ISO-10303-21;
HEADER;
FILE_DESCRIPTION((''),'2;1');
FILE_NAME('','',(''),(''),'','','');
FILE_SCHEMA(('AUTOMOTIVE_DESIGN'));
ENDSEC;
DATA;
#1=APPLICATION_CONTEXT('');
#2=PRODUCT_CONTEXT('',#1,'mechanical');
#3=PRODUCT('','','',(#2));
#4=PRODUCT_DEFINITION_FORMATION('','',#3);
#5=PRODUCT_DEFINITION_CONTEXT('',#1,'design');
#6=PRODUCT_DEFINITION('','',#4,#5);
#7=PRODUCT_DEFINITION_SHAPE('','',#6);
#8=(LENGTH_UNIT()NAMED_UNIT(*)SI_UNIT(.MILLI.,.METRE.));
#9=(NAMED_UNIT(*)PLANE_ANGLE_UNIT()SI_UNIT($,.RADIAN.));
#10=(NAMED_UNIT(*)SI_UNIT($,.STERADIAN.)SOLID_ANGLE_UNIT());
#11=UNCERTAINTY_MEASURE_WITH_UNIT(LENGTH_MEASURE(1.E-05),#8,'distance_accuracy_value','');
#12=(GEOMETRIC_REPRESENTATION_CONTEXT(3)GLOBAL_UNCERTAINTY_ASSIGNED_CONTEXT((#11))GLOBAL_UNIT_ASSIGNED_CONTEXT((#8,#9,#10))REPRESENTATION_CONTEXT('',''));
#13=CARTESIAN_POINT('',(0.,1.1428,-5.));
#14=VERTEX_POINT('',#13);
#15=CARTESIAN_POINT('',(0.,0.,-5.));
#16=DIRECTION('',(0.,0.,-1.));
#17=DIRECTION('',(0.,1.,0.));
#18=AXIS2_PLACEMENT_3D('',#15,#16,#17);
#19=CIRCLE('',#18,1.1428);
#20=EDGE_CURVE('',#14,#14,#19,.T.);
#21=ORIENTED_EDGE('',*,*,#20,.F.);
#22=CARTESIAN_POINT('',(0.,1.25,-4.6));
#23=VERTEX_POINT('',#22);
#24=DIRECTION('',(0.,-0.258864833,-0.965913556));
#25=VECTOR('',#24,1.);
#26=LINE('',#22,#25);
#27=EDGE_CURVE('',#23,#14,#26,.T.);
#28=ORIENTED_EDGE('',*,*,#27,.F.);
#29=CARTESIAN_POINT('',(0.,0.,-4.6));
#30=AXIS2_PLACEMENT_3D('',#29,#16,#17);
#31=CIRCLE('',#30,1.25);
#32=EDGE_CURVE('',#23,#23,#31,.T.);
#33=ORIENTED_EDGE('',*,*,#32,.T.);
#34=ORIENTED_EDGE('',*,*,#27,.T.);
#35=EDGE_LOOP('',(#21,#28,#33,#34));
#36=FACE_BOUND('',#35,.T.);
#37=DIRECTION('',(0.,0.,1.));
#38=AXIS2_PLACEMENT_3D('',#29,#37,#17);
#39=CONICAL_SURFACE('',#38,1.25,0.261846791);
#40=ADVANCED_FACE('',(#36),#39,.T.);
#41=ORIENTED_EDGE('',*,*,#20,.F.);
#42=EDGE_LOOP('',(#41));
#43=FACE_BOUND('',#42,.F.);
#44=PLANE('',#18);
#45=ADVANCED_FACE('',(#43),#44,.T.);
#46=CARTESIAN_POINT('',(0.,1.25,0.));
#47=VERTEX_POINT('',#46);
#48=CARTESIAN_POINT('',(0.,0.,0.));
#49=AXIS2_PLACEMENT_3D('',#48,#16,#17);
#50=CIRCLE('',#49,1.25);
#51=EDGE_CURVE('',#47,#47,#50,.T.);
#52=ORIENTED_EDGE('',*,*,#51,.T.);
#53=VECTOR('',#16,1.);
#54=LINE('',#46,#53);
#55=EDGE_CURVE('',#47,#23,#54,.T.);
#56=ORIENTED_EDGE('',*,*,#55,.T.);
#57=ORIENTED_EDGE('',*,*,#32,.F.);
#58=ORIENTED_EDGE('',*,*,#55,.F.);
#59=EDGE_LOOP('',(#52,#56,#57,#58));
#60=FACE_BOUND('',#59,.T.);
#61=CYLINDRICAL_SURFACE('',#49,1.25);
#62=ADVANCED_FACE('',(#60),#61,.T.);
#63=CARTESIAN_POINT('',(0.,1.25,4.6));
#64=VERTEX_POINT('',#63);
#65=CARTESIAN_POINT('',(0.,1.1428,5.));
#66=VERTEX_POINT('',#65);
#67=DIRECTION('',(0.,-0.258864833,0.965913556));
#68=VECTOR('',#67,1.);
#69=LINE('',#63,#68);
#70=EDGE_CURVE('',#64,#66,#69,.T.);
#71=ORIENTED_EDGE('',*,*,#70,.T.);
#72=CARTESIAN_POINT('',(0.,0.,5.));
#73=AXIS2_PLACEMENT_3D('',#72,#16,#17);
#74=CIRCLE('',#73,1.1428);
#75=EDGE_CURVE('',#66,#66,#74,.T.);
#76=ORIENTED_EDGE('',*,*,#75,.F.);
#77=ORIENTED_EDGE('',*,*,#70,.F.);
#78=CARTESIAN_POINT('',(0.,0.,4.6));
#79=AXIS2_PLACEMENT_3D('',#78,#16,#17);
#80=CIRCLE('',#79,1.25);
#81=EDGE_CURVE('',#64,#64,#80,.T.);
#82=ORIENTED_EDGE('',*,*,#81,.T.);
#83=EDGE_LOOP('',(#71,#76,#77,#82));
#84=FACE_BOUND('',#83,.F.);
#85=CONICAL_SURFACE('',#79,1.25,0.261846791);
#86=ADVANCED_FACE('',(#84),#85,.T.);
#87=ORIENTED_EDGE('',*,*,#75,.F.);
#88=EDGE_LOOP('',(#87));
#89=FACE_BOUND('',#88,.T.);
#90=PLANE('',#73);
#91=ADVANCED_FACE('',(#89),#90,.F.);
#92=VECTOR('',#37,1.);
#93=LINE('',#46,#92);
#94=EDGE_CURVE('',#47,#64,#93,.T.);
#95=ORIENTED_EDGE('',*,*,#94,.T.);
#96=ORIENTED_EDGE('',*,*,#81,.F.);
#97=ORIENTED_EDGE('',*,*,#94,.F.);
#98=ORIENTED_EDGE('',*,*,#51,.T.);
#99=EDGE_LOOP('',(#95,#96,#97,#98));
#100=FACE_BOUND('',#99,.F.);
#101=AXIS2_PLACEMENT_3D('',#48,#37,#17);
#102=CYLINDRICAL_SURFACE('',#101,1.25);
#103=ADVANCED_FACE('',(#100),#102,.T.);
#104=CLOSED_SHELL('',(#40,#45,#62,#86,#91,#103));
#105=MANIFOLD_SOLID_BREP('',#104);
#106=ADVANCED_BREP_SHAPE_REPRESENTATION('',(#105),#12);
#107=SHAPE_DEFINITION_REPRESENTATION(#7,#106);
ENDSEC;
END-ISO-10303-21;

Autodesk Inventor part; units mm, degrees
ref_plane "YZ Plane" through (0, 0, 0) normal (1, 0, 0) x (0, 1, 0)
ref_plane "XZ Plane" through (0, 0, 0) normal (0, 1, 0) x (-1, 0, 0)
ref_plane "XY Plane" through (0, 0, 0) normal (0, 0, 1) x (1, 0, 0)
sketch "スケッチ2" plane through (0, 0, 0) normal (1, 0, 0) x (0, 1, 0)
  line L0 (0, 9.3427) -> (0, -26.8463) construction
  line L1 (1.25, 0) -> (-22.4246, 0) construction
  line L2 (0, 5) -> (1.1428, 5)
  line L3 (1.25, 0) -> (1.25, 4.6)
  line L4 (1.25, 4.6) -> (1.25, 5) construction
  line L5 (1.25, 4.6) -> (1.1428, 5)
  line L6 (1.1428, 5) -> (1.25, 5) construction
  line L7 (0, -5) -> (1.1428, -5)
  line L8 (1.25, 0) -> (1.25, -4.6)
  line L9 (1.25, -4.6) -> (1.25, -5) construction
  line L10 (1.25, -4.6) -> (1.1428, -5)
  line L11 (1.1428, -5) -> (1.25, -5) construction
  line L12 (0, 5) -> (0, -5)
  point P0 (0, 0)
  dimension "d0" = 1.25
  dimension "d1" = 5
  dimension "d2" = 0.4
  dimension "d3" = 15
revolve "回転1" add sketch "スケッチ2" angle 360 about axis through (0, 0, 9.3427) along (0, 0, -1)
properties part number "φ2.5ピン 10" material "ステンレス鋼"
